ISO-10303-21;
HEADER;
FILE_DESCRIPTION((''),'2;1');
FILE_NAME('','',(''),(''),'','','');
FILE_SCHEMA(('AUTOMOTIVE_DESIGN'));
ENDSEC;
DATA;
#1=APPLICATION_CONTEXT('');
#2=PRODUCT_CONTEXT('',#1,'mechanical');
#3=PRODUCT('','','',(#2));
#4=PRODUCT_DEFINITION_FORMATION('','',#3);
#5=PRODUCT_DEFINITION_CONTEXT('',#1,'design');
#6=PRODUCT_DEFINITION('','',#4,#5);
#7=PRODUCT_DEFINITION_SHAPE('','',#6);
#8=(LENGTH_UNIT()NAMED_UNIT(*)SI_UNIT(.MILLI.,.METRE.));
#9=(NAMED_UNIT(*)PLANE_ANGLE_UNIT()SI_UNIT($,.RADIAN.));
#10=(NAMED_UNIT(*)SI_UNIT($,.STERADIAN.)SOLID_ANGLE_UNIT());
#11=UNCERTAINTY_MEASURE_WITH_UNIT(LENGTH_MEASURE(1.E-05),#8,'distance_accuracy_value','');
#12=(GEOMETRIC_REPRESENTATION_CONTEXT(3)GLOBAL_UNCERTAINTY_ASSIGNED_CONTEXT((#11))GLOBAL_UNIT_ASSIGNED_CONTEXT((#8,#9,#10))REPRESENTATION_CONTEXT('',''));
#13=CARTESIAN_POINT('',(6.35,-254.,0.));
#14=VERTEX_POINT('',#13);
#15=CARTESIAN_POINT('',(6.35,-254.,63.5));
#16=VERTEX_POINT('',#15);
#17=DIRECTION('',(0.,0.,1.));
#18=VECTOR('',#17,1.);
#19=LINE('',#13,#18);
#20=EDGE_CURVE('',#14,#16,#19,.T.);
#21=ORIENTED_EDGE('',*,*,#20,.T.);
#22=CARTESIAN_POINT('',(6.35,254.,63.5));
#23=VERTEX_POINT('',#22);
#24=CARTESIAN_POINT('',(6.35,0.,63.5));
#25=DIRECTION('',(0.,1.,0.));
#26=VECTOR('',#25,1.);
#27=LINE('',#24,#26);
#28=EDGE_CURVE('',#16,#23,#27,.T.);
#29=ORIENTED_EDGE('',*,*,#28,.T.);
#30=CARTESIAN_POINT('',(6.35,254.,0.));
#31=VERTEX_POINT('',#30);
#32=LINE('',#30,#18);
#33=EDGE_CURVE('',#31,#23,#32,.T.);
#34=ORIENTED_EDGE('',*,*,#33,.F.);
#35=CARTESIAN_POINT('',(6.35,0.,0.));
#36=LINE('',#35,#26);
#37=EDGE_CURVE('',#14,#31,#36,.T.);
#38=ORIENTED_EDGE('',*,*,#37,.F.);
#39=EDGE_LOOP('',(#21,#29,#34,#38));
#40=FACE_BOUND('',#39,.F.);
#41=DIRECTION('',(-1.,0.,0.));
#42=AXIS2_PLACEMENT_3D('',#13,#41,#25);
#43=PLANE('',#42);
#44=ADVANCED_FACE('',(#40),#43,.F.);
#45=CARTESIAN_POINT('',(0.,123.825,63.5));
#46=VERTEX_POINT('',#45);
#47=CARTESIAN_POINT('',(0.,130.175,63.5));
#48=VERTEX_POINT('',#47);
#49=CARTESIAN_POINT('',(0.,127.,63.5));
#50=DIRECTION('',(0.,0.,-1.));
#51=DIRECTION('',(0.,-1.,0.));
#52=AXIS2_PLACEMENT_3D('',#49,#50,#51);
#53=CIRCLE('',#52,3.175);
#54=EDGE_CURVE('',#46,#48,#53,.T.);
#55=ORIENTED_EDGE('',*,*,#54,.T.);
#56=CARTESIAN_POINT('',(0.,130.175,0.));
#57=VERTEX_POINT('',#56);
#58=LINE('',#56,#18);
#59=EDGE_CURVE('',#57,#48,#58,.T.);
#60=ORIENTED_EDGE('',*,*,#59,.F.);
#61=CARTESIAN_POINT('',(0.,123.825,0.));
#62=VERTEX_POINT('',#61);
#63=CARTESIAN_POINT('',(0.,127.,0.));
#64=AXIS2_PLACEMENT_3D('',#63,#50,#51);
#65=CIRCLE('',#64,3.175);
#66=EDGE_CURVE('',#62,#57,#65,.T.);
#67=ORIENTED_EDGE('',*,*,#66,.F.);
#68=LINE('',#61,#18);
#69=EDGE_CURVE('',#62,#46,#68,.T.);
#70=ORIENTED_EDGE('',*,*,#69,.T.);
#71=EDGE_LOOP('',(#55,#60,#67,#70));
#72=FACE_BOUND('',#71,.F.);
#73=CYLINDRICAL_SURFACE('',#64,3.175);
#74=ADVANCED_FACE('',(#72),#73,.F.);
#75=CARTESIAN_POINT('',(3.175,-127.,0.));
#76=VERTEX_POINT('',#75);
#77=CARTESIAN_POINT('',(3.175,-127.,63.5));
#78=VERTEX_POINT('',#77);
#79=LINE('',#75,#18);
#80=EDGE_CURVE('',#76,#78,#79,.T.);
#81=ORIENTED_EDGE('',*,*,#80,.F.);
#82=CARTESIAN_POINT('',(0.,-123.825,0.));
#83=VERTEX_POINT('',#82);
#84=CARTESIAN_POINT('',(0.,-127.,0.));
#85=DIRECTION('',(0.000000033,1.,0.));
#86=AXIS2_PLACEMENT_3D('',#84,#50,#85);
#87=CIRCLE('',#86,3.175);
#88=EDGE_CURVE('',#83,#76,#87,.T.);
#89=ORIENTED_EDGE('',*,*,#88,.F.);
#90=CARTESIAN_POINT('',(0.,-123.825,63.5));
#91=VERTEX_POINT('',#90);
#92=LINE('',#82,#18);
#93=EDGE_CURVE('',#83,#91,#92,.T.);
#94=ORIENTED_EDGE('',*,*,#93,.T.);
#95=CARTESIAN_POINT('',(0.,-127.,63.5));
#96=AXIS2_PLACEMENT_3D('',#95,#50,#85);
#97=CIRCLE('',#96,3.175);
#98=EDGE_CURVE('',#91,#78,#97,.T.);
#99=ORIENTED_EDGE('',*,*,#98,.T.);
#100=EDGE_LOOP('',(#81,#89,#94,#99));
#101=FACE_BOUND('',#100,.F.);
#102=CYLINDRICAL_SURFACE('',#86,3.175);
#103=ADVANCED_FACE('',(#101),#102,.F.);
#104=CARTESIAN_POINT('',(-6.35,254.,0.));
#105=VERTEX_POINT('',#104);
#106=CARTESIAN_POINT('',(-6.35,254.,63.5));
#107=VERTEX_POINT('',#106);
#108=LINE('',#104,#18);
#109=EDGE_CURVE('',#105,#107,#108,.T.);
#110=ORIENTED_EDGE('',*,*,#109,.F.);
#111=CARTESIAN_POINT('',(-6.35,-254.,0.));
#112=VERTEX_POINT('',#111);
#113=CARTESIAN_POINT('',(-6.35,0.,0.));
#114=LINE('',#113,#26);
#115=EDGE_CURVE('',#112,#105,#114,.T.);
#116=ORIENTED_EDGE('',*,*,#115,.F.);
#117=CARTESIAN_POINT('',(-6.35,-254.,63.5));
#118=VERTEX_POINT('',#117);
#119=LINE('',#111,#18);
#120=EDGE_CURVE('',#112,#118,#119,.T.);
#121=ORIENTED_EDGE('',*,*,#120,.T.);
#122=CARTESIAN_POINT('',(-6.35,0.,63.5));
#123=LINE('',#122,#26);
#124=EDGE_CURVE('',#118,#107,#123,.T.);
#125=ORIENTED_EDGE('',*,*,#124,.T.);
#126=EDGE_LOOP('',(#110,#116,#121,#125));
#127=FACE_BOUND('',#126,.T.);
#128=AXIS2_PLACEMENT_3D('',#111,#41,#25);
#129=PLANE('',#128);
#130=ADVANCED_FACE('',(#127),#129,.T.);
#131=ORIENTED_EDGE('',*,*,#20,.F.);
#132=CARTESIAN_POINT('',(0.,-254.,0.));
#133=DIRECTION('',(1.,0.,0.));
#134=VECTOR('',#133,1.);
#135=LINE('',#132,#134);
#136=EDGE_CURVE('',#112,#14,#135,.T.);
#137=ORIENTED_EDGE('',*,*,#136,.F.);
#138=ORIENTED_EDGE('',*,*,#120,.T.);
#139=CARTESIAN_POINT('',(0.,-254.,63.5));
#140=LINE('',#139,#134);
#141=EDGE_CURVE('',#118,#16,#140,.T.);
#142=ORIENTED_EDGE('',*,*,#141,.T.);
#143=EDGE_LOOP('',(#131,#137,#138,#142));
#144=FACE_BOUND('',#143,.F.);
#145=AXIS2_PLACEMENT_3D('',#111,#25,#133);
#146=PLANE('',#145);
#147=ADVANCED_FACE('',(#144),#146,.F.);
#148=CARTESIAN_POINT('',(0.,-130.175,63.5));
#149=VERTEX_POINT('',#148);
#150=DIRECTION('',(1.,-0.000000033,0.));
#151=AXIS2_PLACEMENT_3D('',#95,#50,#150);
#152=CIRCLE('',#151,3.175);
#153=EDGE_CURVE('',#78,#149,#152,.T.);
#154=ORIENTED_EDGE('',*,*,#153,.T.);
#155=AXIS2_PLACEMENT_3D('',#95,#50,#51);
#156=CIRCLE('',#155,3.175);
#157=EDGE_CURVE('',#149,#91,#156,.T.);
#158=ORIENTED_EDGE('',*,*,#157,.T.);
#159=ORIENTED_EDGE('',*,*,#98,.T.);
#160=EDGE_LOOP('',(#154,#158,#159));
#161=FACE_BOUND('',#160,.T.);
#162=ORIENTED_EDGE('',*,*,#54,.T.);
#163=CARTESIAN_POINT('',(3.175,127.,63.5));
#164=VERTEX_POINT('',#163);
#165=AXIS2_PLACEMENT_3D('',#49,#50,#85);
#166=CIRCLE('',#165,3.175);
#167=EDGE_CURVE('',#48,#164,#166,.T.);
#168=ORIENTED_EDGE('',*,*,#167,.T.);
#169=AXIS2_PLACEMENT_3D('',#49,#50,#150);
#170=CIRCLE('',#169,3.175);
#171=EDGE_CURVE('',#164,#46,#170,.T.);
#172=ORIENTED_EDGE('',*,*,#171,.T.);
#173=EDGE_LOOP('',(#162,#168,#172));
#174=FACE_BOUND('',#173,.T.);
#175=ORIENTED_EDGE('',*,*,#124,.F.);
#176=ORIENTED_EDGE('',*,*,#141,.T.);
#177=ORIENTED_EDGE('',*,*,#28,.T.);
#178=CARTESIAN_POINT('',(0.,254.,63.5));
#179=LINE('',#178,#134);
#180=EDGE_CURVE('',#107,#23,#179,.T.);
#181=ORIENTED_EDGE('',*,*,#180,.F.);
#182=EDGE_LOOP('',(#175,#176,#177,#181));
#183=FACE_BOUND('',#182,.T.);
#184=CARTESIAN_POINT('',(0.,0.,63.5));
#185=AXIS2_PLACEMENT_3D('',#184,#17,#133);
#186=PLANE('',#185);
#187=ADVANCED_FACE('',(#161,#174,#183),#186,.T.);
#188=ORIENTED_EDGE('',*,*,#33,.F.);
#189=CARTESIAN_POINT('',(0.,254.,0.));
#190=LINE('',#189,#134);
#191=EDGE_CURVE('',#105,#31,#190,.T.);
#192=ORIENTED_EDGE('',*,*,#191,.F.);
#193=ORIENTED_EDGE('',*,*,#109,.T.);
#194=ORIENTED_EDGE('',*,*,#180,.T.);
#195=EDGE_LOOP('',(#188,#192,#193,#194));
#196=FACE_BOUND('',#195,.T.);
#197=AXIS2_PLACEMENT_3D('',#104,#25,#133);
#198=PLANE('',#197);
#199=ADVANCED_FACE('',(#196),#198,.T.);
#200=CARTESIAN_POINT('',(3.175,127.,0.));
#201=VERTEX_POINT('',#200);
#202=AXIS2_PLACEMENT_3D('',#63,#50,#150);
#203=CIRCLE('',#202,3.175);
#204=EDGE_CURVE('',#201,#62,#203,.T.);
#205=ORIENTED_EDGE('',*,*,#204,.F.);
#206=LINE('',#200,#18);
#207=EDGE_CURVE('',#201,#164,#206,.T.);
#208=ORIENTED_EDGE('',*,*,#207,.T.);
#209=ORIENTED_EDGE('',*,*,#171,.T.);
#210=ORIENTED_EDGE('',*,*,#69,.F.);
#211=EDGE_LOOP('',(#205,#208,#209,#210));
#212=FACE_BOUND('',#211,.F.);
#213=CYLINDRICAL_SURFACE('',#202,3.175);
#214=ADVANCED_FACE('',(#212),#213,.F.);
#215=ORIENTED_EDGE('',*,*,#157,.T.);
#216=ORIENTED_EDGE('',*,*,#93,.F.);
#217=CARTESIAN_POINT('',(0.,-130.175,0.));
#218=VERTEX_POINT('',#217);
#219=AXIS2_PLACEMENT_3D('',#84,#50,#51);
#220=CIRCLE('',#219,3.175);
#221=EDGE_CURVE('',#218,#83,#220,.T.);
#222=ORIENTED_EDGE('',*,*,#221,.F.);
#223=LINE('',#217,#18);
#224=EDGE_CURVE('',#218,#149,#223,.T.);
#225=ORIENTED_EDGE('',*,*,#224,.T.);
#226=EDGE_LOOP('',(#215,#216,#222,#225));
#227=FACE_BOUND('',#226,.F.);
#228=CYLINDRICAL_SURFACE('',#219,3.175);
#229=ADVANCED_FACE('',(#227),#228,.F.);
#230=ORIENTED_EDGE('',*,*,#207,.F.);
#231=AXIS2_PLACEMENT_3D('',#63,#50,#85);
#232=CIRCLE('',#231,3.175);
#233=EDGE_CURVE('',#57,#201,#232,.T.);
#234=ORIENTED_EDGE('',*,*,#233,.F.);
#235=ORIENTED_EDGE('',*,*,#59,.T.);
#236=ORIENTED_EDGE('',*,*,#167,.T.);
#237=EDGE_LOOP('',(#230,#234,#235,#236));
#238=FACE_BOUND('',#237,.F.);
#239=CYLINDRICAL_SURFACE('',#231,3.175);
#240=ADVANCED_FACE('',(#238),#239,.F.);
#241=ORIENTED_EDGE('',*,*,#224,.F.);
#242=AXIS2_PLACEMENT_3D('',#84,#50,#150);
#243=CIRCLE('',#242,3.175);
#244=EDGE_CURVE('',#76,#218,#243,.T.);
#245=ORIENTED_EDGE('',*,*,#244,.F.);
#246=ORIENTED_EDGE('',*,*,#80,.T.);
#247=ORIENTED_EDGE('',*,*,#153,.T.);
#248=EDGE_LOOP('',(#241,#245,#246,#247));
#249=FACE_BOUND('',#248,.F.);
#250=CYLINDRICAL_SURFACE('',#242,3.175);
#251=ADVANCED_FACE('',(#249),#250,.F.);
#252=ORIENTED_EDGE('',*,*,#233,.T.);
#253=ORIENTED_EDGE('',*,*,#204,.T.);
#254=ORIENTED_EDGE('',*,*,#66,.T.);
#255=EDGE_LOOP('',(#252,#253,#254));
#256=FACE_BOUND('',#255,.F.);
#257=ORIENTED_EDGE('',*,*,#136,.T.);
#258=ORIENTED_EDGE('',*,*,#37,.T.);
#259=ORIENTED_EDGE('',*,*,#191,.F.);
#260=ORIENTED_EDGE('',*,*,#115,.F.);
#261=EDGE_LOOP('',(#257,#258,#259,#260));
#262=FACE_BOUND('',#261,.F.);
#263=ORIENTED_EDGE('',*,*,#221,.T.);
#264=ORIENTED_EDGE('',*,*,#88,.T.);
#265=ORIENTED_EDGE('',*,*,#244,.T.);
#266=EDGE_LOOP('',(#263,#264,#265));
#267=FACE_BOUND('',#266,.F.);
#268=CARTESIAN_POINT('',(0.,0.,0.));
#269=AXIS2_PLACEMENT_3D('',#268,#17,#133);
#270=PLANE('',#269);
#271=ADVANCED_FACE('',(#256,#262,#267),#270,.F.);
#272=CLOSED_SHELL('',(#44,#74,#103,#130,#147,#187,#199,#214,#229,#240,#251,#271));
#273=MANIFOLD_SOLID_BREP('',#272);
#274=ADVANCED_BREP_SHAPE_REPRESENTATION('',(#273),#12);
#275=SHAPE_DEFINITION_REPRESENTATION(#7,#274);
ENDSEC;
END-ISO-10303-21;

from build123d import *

# Parameters (mm, degrees)
F0_W     = 12.7
F0_H     = 508
F1_DEPTH = 63.5
F3_DEPTH = 63.5


with BuildPart() as f1:
    # F0 (on Top) → F1 (new body)
    with BuildSketch(Plane.XY):
        Rectangle(F0_W, F0_H)
    extrude(amount=F1_DEPTH)

    # F2 (on face) → F3 (cut, through all)
    with BuildSketch(Plane(origin=(0, 0, 0), x_dir=(1, 0, 0), z_dir=(0, 0, -1))):
        with BuildLine():
            ThreePointArc((3.175, 127), (2.245064, 129.245064), (0, 130.175))
            Line((0, 130.175), (0, 127))
            Line((0, 127), (0, 123.825))
            ThreePointArc((0, 123.825), (2.245064, 124.754936), (3.175, 127))
        make_face()
        with BuildLine():
            ThreePointArc((3.175, -127), (2.245064, -124.754936), (0, -123.825))
            Line((0, -123.825), (0, -127))
            Line((0, -127), (0, -130.175))
            ThreePointArc((0, -130.175), (2.245064, -129.245064), (3.175, -127))
        make_face()
        with BuildLine():
            Line((0, -127), (0, -123.825))
            ThreePointArc((0, -123.825), (-3.175, -127), (0, -130.175))
            Line((0, -130.175), (0, -127))
        make_face()
        with BuildLine():
            Line((0, 127), (0, 130.175))
            ThreePointArc((0, 130.175), (-3.175, 127), (0, 123.825))
            Line((0, 123.825), (0, 127))
        make_face()
    extrude(amount=-F3_DEPTH, mode=Mode.SUBTRACT)


solid = f1.part
